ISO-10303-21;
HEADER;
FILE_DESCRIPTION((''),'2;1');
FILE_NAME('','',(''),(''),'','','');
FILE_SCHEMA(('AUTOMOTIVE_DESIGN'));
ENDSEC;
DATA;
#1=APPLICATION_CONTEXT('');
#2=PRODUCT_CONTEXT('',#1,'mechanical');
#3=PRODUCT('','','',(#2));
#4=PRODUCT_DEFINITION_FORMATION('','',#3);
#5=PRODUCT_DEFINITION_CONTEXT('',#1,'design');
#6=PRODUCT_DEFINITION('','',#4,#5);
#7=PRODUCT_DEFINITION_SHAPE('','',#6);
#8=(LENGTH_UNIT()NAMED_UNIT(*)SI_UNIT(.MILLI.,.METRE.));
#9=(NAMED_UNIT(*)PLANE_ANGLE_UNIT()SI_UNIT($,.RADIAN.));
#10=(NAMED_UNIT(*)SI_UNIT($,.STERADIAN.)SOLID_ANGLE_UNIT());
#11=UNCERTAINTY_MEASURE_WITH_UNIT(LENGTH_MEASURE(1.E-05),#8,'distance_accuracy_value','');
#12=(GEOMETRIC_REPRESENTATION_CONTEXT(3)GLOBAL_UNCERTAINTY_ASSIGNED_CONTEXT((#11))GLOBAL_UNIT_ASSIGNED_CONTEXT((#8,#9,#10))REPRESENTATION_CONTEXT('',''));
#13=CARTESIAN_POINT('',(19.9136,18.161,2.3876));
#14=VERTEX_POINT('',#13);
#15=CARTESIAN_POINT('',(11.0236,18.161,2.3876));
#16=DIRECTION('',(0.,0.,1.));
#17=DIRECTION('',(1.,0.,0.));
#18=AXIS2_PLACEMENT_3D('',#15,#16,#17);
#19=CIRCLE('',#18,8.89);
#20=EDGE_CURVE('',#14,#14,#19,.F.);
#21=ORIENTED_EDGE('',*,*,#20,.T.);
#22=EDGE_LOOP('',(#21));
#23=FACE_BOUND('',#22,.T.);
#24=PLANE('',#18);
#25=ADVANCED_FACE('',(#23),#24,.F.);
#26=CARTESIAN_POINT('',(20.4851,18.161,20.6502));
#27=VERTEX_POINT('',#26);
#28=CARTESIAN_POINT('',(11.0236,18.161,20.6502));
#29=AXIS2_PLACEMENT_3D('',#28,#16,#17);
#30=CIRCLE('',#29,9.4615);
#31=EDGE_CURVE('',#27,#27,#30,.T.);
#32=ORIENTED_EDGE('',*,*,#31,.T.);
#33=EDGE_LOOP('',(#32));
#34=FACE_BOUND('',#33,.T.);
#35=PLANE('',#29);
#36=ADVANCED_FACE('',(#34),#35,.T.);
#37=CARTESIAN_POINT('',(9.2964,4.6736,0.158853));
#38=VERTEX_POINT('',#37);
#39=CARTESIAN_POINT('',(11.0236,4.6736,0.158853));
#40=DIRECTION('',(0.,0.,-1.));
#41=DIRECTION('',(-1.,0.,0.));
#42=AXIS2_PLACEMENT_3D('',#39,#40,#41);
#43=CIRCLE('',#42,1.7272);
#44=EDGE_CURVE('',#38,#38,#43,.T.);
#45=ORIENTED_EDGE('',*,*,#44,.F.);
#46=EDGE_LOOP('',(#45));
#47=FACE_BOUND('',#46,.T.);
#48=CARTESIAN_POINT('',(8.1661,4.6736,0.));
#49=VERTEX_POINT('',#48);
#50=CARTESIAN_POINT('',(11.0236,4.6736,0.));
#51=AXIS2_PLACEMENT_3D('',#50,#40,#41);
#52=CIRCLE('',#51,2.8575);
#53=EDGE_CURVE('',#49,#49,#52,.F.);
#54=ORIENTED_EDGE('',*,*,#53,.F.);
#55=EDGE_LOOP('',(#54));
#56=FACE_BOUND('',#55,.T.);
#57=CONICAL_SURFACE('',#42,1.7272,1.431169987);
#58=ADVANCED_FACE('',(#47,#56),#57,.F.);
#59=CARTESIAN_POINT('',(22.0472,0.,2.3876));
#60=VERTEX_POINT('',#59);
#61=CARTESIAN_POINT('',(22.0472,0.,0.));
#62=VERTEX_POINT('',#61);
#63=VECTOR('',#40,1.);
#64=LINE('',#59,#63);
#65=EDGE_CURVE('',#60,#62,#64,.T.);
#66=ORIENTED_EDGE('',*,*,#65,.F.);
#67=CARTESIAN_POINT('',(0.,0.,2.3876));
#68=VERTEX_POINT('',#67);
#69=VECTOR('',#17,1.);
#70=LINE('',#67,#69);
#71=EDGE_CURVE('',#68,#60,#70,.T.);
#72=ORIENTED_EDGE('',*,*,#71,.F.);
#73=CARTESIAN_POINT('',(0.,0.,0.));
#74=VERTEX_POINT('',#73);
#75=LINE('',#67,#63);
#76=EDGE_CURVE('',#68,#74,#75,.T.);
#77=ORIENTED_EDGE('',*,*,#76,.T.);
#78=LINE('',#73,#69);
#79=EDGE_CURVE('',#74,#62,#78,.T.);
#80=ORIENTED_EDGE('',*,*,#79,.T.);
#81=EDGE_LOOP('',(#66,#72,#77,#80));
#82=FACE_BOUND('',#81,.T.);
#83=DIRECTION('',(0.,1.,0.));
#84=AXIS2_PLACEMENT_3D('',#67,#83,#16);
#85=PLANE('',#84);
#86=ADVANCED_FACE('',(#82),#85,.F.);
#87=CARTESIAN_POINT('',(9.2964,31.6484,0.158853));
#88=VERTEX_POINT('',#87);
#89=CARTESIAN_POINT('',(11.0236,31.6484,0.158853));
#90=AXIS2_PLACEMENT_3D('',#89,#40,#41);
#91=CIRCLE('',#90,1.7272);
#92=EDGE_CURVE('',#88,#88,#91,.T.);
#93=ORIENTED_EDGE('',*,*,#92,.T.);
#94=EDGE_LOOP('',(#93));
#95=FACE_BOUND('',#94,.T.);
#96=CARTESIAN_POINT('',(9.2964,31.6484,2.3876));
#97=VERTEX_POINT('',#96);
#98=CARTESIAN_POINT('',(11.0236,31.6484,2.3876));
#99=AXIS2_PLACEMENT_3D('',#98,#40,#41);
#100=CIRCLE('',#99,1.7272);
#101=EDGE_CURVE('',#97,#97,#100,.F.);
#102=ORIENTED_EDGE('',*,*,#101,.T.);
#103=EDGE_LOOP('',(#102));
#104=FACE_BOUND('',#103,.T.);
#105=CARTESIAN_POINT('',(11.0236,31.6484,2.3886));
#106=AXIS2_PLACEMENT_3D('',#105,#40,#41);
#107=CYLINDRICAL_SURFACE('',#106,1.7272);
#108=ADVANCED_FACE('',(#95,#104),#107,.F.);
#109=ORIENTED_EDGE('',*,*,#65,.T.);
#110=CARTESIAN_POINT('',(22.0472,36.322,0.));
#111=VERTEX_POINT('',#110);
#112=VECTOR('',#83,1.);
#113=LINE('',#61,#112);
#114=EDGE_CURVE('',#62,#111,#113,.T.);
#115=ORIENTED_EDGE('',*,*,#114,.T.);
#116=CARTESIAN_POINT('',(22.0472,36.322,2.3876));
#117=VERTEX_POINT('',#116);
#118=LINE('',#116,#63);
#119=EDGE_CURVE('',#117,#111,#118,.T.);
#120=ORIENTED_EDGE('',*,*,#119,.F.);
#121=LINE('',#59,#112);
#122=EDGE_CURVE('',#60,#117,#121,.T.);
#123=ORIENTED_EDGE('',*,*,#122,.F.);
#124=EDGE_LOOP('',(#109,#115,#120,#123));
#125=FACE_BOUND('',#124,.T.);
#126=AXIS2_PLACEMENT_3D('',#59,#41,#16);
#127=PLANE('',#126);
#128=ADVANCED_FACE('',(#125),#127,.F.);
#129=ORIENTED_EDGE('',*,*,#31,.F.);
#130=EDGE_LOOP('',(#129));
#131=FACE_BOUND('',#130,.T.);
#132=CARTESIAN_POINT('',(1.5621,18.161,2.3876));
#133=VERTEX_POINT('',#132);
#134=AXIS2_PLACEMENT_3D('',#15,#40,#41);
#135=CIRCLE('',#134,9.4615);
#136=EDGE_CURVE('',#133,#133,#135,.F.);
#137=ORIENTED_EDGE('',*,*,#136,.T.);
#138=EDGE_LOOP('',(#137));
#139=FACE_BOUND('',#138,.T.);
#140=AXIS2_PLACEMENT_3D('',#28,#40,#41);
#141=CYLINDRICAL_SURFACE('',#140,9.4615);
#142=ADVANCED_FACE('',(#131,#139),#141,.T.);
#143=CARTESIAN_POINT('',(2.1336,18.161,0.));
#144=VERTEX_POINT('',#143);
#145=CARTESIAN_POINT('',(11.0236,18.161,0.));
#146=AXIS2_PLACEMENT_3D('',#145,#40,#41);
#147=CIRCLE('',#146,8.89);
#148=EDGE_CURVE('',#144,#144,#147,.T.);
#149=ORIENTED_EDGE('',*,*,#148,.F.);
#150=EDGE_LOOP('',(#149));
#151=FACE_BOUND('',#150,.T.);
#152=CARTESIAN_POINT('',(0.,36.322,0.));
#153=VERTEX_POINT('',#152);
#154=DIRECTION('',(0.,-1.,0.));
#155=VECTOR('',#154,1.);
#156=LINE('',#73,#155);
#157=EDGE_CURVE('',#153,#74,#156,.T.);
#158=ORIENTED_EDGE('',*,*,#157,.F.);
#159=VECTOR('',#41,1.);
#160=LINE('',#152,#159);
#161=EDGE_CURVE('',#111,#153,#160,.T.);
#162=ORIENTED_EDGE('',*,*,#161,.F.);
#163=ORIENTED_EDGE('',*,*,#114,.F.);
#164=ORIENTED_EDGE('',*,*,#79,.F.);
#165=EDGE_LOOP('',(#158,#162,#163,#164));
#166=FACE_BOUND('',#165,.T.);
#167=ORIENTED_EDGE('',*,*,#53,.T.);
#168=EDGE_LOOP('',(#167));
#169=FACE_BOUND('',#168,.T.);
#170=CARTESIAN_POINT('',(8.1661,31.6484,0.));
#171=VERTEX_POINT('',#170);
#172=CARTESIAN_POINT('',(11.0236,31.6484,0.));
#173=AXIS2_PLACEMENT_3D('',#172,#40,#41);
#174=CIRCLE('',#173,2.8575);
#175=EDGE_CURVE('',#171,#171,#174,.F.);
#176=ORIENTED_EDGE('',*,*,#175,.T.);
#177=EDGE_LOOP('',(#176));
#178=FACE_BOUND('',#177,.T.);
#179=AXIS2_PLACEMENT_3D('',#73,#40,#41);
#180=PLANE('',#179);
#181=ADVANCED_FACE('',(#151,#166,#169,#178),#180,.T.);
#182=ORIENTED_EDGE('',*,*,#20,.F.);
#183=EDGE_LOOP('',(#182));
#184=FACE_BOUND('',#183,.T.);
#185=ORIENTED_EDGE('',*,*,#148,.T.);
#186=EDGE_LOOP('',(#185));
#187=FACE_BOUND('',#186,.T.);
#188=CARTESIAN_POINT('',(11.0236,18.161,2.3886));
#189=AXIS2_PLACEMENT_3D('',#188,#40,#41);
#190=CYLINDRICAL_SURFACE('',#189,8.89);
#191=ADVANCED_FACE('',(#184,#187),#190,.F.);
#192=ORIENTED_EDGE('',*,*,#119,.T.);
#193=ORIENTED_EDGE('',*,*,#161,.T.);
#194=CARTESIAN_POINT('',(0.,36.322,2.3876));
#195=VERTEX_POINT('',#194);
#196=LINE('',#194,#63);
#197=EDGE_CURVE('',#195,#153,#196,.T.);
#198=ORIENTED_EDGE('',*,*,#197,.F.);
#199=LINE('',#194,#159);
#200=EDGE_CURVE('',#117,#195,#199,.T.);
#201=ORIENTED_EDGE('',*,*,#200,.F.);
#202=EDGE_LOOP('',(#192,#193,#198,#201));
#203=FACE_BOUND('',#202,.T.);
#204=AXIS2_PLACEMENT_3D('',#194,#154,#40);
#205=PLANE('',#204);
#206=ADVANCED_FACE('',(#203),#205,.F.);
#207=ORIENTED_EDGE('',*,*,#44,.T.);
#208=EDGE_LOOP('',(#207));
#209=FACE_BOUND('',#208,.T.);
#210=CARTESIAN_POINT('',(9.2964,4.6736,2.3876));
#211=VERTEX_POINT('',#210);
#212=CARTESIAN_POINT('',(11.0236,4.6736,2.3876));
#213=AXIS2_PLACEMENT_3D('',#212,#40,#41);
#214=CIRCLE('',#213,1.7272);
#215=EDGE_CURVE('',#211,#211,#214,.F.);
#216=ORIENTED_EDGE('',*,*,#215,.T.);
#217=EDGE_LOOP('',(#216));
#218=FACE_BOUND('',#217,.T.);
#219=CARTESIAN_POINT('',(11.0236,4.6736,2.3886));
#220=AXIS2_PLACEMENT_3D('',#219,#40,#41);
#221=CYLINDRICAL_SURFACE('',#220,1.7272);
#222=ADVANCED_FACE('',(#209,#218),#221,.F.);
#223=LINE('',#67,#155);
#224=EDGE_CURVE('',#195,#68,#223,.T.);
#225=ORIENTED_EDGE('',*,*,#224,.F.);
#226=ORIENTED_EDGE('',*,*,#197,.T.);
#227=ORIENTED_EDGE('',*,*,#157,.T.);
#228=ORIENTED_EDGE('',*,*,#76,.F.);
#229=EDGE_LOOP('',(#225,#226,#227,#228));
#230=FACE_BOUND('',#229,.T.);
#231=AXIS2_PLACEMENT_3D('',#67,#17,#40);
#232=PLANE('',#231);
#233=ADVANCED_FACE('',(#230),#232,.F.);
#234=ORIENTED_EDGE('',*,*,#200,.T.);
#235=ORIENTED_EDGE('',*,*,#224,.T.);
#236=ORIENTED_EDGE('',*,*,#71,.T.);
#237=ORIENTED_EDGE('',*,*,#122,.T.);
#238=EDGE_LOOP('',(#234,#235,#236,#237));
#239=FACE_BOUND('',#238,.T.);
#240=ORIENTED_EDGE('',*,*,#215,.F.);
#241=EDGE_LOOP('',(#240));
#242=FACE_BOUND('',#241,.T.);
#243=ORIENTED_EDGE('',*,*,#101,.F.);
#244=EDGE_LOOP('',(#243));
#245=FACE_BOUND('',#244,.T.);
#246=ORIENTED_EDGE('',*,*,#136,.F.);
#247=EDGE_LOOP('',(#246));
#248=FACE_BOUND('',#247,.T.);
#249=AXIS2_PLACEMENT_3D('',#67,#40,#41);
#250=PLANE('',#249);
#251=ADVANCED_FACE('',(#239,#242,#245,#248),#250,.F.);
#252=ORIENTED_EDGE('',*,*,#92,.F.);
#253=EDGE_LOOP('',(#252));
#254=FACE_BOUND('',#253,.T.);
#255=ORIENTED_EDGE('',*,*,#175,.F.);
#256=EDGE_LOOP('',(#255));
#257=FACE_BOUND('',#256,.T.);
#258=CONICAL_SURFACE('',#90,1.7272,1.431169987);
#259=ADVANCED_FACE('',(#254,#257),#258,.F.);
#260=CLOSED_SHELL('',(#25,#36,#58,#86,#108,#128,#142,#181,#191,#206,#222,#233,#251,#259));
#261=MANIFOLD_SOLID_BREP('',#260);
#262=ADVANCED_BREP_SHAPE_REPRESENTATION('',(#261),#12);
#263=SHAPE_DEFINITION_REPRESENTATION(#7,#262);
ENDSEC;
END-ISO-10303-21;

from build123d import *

# Parameters (mm, degrees)
SKETCH1_W           = 22.0472
SKETCH1_H           = 36.322
BOSS_EXTRUDE1_DEPTH = 2.3876
CUT_EXTRUDE1_REACH  = 44.557
SKETCH2_R           = 1.7272
SKETCH2_R_2         = 8.89
SKETCH3_R           = 9.4615
BOSS_EXTRUDE2_DEPTH = 18.2626
CHAMFER1_SIZE       = 1.1303
CHAMFER1_SIZE2      = 0.158853305


with BuildPart() as part:
    # Sketch1 → Boss-Extrude1 (new body)
    with BuildSketch(Plane.XY):
        with Locations((11.0236, 18.161)):
            Rectangle(SKETCH1_W, SKETCH1_H)
    extrude(amount=BOSS_EXTRUDE1_DEPTH)

    # Sketch2 → Cut-Extrude1 (cut, up to next)
    with BuildSketch(Plane(origin=(0, 0, 0), x_dir=(-1, 0, 0), z_dir=(0, 0, -1)), mode=Mode.PRIVATE) as cut_extrude1_sk1:
        with Locations((-11.0236, 31.6484)):
            Circle(SKETCH2_R)
    cut_extrude1_tool1 = extrude(cut_extrude1_sk1.sketch, amount=-CUT_EXTRUDE1_REACH, mode=Mode.PRIVATE) & part.part
    # Sketch2 → Cut-Extrude1 (cut, up to next)
    with BuildSketch(Plane(origin=(0, 0, 0), x_dir=(-1, 0, 0), z_dir=(0, 0, -1)), mode=Mode.PRIVATE) as cut_extrude1_sk2:
        with Locations((-11.0236, 4.6736)):
            Circle(SKETCH2_R)
    cut_extrude1_tool2 = extrude(cut_extrude1_sk2.sketch, amount=-CUT_EXTRUDE1_REACH, mode=Mode.PRIVATE) & part.part
    # Sketch2 → Cut-Extrude1 (cut, up to next)
    with BuildSketch(Plane(origin=(0, 0, 0), x_dir=(-1, 0, 0), z_dir=(0, 0, -1)), mode=Mode.PRIVATE) as cut_extrude1_sk3:
        with Locations((-11.0236, 18.161)):
            Circle(SKETCH2_R_2)
    cut_extrude1_tool3 = extrude(cut_extrude1_sk3.sketch, amount=-CUT_EXTRUDE1_REACH, mode=Mode.PRIVATE) & part.part
    add(cut_extrude1_tool1.solids().sort_by_distance((11.0236, 31.6484, 0))[0], mode=Mode.SUBTRACT)
    add(cut_extrude1_tool2.solids().sort_by_distance((11.0236, 4.6736, 0))[0], mode=Mode.SUBTRACT)
    add(cut_extrude1_tool3.solids().sort_by_distance((11.0236, 18.161, 0))[0], mode=Mode.SUBTRACT)

    # Sketch3 → Boss-Extrude2 (add)
    with BuildSketch(Plane.XY.offset(2.3876)):
        with Locations(Location((11.0236, 18.161, 0), (0, 0, 180))):
            Circle(SKETCH3_R)
    extrude(amount=BOSS_EXTRUDE2_DEPTH)

    # Chamfer1
    chamfer1_edges = [part.edges().sort_by_distance(p)[0] for p in [
        (12.7508, 31.6484, 0),
        (12.7508, 4.6736, 0),
    ]]
    chamfer1_side = [part.faces().sort_by_distance(p)[0] for p in [
        (11.0236, 0.424896071, 0),
    ]]
    chamfer(chamfer1_edges, length=CHAMFER1_SIZE, length2=CHAMFER1_SIZE2, reference=chamfer1_side[0])


solid = part.part
